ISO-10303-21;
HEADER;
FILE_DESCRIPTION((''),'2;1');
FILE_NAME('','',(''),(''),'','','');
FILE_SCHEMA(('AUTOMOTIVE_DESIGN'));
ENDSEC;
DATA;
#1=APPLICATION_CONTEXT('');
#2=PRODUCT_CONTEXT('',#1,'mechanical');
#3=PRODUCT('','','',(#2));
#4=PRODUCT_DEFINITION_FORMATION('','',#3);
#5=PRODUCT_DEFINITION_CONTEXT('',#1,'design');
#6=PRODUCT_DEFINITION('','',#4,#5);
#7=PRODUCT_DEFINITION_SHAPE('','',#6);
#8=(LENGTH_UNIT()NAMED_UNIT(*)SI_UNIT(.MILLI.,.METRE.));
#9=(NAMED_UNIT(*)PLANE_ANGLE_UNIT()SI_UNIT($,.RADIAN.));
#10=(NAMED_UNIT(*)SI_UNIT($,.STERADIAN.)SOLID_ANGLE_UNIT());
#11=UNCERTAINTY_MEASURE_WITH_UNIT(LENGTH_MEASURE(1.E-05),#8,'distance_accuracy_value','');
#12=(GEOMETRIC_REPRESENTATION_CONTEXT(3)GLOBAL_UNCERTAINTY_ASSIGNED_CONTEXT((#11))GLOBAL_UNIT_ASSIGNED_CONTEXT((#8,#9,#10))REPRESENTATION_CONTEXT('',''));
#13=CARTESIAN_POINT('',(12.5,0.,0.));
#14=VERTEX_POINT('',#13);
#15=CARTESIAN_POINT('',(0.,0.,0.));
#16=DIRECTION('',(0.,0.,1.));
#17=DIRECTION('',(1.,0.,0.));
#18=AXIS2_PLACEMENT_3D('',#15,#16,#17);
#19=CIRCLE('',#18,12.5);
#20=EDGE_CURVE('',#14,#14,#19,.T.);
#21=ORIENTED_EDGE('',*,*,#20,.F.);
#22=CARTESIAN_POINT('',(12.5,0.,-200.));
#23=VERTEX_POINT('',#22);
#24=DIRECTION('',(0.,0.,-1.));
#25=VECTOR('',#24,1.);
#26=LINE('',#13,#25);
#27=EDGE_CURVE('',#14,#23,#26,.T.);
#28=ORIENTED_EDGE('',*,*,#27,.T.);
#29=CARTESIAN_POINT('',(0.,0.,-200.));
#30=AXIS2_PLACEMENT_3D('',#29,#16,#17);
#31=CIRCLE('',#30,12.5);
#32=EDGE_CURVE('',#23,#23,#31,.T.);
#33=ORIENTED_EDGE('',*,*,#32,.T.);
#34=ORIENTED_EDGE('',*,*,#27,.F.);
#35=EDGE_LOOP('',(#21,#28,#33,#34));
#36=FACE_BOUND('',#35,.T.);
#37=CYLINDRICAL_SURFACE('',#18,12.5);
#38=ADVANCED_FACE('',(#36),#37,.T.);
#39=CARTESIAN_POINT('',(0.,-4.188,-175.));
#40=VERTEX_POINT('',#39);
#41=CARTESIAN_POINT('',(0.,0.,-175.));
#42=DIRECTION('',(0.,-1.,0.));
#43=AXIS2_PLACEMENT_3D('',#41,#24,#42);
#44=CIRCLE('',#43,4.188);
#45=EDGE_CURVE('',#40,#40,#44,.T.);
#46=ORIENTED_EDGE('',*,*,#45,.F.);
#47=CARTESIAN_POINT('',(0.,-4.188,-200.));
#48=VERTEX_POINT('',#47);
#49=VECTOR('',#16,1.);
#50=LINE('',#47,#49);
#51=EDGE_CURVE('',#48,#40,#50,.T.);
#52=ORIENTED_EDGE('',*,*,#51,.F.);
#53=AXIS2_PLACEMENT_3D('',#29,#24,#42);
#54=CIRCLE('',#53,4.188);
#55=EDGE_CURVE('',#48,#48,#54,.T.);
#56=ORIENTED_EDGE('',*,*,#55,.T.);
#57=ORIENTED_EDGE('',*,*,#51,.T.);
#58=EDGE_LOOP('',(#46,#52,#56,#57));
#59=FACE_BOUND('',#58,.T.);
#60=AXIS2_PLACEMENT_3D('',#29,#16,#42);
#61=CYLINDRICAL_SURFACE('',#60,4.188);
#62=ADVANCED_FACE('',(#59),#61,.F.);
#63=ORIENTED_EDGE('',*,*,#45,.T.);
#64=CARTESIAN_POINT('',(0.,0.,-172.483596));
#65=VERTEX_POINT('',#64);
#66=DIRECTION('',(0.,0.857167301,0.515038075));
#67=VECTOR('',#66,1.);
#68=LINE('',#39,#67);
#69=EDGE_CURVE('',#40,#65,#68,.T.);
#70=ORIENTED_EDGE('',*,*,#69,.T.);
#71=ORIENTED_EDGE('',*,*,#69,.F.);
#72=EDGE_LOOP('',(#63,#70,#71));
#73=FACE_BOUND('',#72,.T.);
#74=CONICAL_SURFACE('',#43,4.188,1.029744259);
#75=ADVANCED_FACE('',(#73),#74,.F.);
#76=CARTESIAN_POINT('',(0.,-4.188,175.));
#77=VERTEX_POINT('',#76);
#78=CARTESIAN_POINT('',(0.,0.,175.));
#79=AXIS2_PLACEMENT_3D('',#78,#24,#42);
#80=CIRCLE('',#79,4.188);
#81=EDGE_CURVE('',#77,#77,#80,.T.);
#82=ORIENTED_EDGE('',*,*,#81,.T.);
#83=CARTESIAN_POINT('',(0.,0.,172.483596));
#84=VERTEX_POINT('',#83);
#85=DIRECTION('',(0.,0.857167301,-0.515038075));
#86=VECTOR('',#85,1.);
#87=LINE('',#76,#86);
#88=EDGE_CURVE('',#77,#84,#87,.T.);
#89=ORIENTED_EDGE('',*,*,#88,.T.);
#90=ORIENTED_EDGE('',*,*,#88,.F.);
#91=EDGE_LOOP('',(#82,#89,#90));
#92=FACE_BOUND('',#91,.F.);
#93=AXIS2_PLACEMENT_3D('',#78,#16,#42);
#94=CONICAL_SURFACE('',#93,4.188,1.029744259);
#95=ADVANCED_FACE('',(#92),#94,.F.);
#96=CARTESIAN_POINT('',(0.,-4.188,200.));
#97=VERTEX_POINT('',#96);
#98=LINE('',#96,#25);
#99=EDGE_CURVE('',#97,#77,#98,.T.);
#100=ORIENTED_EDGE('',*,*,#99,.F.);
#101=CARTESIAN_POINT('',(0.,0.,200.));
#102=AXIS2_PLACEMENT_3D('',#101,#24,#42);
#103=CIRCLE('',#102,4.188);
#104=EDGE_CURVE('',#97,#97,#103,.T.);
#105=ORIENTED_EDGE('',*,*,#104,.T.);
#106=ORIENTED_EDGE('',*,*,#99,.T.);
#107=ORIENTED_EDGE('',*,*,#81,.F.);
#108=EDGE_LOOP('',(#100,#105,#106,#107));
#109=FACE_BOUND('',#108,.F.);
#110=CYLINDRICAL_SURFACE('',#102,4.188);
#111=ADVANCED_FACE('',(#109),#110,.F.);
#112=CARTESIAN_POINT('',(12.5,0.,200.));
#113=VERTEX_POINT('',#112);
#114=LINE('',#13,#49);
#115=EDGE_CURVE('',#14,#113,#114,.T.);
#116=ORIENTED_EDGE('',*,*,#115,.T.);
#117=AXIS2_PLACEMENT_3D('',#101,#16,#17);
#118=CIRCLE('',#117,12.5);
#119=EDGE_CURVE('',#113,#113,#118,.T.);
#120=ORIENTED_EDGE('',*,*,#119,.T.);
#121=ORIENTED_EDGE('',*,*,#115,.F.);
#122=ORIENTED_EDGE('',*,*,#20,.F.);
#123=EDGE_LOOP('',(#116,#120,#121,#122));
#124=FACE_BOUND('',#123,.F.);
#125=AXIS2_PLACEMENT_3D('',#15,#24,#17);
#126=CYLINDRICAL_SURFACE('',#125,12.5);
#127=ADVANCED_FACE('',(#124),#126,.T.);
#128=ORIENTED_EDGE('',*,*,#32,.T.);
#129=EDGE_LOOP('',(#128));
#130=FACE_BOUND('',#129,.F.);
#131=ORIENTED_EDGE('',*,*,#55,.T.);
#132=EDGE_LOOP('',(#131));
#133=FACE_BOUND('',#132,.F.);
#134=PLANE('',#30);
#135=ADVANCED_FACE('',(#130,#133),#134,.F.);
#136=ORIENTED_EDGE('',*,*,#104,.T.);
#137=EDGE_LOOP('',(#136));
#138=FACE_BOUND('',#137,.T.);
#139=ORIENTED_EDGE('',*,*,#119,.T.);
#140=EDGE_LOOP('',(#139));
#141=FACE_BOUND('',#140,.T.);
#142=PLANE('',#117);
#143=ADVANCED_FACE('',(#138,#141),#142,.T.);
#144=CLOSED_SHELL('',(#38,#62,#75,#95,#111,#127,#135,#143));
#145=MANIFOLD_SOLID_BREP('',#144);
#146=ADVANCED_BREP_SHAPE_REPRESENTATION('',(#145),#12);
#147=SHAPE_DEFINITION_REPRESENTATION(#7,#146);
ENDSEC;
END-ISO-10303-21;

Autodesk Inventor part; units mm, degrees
ref_plane "YZ Plane" through (0, 0, 0) normal (1, 0, 0) x (0, 1, 0)
ref_plane "XZ Plane" through (0, 0, 0) normal (0, 1, 0) x (-1, 0, 0)
ref_plane "XY Plane" through (0, 0, 0) normal (0, 0, 1) x (1, 0, 0)
sketch "Sketch1" plane through (0, 0, 0) normal (0, 0, 1) x (1, 0, 0)
  circle A0 centre (0, 0) radius 12.5
  dimension "d0" = 25
extrude "Extrusion1" add sketch "Sketch1" along normal mid plane 400
sketch "Sketch2" plane through (0, 0, 200) normal (0, 0, 1) x (1, 0, 0)
  circle A0 centre (0, 0) radius 12.5 projected
hole "Hole1" at (0, 0, 200) direction (0, 0, -1) diameter 8.376 depth 25 tip angle 118 thread size "M10x1.5" class "6H" standard "ISO Metric profile"
mirror "Mirror1" about plane through (0, 0, 0) normal (0, 0, 1) of "Hole1"
properties part number "ADSK-MH-10018" material "Steel, Mild"
